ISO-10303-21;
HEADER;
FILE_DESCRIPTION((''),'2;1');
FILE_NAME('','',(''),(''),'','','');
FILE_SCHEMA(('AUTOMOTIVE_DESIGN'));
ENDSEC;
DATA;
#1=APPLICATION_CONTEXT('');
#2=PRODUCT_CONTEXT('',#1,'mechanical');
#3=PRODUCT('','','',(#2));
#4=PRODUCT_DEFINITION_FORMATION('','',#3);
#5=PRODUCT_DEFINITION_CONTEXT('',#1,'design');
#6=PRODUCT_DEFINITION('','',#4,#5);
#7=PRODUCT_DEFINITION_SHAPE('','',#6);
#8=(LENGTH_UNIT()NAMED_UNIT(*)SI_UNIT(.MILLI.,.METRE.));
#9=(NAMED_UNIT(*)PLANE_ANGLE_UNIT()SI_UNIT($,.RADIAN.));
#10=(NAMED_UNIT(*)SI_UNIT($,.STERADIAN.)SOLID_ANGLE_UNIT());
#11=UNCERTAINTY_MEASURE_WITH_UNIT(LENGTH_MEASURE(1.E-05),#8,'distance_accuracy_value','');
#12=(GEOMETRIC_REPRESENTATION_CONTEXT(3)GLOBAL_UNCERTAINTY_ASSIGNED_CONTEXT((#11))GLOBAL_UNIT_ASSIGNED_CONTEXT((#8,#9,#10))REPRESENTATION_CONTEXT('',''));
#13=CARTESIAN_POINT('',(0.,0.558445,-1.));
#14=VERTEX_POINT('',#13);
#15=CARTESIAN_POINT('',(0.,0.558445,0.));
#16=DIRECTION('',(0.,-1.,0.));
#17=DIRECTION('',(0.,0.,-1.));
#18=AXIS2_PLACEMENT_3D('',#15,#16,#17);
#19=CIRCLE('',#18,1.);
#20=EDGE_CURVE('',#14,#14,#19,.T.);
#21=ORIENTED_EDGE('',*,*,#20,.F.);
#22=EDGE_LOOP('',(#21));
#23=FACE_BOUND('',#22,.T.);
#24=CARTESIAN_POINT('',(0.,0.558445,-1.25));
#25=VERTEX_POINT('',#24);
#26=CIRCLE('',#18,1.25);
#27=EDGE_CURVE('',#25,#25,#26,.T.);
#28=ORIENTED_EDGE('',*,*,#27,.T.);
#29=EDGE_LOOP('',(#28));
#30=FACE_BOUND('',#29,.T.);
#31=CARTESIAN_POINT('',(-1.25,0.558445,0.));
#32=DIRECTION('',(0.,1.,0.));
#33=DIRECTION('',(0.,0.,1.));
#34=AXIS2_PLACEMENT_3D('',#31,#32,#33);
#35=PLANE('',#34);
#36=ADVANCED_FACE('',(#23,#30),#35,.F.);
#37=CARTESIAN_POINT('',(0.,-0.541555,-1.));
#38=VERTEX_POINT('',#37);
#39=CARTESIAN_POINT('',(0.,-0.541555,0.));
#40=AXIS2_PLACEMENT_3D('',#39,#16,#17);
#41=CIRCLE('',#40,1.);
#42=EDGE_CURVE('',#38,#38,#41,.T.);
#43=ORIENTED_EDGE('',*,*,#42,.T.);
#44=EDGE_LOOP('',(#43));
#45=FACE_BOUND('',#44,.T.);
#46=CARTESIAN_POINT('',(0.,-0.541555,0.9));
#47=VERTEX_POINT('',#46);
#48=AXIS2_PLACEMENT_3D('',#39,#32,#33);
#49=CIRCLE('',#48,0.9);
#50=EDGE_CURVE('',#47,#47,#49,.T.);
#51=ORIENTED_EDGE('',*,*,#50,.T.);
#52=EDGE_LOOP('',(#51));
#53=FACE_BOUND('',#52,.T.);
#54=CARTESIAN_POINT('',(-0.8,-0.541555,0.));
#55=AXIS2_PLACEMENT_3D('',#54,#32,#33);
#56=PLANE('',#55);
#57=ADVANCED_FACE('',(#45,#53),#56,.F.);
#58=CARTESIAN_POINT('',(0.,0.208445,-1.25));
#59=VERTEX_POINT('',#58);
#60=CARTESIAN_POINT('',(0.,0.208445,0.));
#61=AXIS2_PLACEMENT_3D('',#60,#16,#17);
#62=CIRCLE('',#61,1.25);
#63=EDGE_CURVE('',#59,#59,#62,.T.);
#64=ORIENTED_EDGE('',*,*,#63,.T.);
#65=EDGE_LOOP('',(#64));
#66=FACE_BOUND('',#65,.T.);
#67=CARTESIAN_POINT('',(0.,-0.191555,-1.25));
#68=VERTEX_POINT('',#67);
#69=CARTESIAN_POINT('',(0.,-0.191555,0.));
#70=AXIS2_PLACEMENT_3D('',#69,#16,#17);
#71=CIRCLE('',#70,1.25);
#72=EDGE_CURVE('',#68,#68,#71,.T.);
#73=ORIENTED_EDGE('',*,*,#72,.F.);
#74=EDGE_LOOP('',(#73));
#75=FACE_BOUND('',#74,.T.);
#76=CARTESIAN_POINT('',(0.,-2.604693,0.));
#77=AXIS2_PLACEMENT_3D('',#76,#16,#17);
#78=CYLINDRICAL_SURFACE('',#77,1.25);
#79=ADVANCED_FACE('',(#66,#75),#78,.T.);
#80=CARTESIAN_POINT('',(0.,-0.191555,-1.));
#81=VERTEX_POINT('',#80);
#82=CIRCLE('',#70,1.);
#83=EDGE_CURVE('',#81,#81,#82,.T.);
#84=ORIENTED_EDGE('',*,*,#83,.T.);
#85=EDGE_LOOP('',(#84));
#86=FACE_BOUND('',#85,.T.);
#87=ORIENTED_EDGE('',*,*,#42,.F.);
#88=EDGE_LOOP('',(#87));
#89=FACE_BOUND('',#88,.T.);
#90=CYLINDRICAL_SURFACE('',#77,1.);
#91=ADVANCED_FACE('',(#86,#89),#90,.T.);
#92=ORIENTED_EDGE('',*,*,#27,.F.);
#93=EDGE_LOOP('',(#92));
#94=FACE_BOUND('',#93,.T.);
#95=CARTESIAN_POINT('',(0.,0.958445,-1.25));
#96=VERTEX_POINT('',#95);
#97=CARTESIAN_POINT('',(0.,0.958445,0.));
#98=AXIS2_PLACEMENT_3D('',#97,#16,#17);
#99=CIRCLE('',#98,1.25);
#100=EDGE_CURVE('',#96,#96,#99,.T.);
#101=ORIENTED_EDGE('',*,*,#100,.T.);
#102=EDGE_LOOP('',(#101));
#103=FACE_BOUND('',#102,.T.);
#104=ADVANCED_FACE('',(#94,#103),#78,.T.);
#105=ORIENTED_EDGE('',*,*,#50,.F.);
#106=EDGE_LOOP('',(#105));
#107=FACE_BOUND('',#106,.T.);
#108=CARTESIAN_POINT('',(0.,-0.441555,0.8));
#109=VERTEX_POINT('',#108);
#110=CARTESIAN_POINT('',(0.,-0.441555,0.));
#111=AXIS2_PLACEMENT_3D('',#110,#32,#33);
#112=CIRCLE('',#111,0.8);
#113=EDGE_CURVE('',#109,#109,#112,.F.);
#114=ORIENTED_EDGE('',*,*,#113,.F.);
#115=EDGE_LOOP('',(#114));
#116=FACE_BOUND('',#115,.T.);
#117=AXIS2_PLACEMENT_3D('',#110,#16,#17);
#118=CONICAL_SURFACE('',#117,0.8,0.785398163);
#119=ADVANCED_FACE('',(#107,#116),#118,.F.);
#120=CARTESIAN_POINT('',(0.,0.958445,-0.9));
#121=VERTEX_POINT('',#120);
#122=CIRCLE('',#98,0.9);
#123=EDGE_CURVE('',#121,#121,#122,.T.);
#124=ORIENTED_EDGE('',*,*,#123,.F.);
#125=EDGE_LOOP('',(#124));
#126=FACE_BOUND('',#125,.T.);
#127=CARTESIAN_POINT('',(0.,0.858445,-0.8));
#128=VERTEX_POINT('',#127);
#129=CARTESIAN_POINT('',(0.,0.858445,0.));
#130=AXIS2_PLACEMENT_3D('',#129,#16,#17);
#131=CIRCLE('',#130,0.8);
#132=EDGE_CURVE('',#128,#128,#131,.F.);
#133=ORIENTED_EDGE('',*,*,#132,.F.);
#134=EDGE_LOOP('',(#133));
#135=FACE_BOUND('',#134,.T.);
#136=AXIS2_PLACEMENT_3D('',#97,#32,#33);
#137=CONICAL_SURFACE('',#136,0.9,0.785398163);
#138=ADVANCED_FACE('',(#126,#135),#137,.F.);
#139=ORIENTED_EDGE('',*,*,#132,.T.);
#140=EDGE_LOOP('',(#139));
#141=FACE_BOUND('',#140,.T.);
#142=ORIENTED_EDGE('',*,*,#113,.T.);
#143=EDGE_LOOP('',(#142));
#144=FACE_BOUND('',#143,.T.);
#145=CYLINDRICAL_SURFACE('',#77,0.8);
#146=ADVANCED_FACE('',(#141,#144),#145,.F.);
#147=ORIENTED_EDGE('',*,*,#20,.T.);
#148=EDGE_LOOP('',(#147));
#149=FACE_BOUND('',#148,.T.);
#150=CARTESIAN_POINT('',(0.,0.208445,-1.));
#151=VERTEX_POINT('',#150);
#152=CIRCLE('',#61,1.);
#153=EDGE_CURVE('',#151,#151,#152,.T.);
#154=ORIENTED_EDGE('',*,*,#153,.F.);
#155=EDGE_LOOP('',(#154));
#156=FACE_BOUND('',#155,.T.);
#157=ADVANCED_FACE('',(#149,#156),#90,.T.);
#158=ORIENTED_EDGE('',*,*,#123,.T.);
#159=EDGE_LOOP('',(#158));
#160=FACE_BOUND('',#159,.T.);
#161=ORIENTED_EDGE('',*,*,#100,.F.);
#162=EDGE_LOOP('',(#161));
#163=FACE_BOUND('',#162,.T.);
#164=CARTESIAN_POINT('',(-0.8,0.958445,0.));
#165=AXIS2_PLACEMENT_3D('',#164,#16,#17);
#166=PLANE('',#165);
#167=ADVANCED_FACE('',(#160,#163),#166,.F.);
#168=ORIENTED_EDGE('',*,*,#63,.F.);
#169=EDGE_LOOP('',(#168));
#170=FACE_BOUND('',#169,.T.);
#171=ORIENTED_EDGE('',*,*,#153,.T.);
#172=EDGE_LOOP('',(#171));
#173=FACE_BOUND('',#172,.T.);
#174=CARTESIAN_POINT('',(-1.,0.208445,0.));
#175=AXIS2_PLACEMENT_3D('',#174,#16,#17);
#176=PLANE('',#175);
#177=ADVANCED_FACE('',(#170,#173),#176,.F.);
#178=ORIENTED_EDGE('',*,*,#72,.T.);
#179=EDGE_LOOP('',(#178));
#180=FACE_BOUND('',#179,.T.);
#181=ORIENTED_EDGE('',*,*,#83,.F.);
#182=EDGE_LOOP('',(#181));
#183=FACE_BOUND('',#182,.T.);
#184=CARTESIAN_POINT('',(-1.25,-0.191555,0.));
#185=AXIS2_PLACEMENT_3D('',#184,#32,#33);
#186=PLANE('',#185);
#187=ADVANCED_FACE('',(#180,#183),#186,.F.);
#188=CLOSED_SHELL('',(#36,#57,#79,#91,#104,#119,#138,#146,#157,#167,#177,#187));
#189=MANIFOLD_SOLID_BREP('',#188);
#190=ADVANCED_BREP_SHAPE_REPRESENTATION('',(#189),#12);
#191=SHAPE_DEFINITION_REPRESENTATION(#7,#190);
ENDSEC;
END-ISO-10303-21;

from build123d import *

# Parameters (mm, degrees)
CHAMFER_1_SIZE = 0.1


with BuildPart() as part:
    # 草图1 → 旋转1 (revolve)
    with BuildSketch(Plane.XY, mode=Mode.PRIVATE) as revolve_1_sk:
        Polygon((-0.8, 0.9584448), (-1.25, 0.9584448), (-1.25, 0.5584448), (-1, 0.5584448), (-1, 0.2084448), (-1.25, 0.2084448), (-1.25, -0.1915552), (-1, -0.1915552), (-1, -0.5415552), (-0.8, -0.5415552), align=None)
    revolve(revolve_1_sk.sketch.rotate(Axis((0, -2.604693141, 0), (0, 1, 0)), 270), axis=Axis((0, -2.604693141, 0), (0, 1, 0)))

    # 倒角1
    chamfer_1_edges = [part.edges().sort_by_distance(p)[0] for p in [
        (0, 0.9584448, 0.8),
        (0, -0.5415552, 0.8),
    ]]
    chamfer(chamfer_1_edges, length=CHAMFER_1_SIZE)


solid = part.part
